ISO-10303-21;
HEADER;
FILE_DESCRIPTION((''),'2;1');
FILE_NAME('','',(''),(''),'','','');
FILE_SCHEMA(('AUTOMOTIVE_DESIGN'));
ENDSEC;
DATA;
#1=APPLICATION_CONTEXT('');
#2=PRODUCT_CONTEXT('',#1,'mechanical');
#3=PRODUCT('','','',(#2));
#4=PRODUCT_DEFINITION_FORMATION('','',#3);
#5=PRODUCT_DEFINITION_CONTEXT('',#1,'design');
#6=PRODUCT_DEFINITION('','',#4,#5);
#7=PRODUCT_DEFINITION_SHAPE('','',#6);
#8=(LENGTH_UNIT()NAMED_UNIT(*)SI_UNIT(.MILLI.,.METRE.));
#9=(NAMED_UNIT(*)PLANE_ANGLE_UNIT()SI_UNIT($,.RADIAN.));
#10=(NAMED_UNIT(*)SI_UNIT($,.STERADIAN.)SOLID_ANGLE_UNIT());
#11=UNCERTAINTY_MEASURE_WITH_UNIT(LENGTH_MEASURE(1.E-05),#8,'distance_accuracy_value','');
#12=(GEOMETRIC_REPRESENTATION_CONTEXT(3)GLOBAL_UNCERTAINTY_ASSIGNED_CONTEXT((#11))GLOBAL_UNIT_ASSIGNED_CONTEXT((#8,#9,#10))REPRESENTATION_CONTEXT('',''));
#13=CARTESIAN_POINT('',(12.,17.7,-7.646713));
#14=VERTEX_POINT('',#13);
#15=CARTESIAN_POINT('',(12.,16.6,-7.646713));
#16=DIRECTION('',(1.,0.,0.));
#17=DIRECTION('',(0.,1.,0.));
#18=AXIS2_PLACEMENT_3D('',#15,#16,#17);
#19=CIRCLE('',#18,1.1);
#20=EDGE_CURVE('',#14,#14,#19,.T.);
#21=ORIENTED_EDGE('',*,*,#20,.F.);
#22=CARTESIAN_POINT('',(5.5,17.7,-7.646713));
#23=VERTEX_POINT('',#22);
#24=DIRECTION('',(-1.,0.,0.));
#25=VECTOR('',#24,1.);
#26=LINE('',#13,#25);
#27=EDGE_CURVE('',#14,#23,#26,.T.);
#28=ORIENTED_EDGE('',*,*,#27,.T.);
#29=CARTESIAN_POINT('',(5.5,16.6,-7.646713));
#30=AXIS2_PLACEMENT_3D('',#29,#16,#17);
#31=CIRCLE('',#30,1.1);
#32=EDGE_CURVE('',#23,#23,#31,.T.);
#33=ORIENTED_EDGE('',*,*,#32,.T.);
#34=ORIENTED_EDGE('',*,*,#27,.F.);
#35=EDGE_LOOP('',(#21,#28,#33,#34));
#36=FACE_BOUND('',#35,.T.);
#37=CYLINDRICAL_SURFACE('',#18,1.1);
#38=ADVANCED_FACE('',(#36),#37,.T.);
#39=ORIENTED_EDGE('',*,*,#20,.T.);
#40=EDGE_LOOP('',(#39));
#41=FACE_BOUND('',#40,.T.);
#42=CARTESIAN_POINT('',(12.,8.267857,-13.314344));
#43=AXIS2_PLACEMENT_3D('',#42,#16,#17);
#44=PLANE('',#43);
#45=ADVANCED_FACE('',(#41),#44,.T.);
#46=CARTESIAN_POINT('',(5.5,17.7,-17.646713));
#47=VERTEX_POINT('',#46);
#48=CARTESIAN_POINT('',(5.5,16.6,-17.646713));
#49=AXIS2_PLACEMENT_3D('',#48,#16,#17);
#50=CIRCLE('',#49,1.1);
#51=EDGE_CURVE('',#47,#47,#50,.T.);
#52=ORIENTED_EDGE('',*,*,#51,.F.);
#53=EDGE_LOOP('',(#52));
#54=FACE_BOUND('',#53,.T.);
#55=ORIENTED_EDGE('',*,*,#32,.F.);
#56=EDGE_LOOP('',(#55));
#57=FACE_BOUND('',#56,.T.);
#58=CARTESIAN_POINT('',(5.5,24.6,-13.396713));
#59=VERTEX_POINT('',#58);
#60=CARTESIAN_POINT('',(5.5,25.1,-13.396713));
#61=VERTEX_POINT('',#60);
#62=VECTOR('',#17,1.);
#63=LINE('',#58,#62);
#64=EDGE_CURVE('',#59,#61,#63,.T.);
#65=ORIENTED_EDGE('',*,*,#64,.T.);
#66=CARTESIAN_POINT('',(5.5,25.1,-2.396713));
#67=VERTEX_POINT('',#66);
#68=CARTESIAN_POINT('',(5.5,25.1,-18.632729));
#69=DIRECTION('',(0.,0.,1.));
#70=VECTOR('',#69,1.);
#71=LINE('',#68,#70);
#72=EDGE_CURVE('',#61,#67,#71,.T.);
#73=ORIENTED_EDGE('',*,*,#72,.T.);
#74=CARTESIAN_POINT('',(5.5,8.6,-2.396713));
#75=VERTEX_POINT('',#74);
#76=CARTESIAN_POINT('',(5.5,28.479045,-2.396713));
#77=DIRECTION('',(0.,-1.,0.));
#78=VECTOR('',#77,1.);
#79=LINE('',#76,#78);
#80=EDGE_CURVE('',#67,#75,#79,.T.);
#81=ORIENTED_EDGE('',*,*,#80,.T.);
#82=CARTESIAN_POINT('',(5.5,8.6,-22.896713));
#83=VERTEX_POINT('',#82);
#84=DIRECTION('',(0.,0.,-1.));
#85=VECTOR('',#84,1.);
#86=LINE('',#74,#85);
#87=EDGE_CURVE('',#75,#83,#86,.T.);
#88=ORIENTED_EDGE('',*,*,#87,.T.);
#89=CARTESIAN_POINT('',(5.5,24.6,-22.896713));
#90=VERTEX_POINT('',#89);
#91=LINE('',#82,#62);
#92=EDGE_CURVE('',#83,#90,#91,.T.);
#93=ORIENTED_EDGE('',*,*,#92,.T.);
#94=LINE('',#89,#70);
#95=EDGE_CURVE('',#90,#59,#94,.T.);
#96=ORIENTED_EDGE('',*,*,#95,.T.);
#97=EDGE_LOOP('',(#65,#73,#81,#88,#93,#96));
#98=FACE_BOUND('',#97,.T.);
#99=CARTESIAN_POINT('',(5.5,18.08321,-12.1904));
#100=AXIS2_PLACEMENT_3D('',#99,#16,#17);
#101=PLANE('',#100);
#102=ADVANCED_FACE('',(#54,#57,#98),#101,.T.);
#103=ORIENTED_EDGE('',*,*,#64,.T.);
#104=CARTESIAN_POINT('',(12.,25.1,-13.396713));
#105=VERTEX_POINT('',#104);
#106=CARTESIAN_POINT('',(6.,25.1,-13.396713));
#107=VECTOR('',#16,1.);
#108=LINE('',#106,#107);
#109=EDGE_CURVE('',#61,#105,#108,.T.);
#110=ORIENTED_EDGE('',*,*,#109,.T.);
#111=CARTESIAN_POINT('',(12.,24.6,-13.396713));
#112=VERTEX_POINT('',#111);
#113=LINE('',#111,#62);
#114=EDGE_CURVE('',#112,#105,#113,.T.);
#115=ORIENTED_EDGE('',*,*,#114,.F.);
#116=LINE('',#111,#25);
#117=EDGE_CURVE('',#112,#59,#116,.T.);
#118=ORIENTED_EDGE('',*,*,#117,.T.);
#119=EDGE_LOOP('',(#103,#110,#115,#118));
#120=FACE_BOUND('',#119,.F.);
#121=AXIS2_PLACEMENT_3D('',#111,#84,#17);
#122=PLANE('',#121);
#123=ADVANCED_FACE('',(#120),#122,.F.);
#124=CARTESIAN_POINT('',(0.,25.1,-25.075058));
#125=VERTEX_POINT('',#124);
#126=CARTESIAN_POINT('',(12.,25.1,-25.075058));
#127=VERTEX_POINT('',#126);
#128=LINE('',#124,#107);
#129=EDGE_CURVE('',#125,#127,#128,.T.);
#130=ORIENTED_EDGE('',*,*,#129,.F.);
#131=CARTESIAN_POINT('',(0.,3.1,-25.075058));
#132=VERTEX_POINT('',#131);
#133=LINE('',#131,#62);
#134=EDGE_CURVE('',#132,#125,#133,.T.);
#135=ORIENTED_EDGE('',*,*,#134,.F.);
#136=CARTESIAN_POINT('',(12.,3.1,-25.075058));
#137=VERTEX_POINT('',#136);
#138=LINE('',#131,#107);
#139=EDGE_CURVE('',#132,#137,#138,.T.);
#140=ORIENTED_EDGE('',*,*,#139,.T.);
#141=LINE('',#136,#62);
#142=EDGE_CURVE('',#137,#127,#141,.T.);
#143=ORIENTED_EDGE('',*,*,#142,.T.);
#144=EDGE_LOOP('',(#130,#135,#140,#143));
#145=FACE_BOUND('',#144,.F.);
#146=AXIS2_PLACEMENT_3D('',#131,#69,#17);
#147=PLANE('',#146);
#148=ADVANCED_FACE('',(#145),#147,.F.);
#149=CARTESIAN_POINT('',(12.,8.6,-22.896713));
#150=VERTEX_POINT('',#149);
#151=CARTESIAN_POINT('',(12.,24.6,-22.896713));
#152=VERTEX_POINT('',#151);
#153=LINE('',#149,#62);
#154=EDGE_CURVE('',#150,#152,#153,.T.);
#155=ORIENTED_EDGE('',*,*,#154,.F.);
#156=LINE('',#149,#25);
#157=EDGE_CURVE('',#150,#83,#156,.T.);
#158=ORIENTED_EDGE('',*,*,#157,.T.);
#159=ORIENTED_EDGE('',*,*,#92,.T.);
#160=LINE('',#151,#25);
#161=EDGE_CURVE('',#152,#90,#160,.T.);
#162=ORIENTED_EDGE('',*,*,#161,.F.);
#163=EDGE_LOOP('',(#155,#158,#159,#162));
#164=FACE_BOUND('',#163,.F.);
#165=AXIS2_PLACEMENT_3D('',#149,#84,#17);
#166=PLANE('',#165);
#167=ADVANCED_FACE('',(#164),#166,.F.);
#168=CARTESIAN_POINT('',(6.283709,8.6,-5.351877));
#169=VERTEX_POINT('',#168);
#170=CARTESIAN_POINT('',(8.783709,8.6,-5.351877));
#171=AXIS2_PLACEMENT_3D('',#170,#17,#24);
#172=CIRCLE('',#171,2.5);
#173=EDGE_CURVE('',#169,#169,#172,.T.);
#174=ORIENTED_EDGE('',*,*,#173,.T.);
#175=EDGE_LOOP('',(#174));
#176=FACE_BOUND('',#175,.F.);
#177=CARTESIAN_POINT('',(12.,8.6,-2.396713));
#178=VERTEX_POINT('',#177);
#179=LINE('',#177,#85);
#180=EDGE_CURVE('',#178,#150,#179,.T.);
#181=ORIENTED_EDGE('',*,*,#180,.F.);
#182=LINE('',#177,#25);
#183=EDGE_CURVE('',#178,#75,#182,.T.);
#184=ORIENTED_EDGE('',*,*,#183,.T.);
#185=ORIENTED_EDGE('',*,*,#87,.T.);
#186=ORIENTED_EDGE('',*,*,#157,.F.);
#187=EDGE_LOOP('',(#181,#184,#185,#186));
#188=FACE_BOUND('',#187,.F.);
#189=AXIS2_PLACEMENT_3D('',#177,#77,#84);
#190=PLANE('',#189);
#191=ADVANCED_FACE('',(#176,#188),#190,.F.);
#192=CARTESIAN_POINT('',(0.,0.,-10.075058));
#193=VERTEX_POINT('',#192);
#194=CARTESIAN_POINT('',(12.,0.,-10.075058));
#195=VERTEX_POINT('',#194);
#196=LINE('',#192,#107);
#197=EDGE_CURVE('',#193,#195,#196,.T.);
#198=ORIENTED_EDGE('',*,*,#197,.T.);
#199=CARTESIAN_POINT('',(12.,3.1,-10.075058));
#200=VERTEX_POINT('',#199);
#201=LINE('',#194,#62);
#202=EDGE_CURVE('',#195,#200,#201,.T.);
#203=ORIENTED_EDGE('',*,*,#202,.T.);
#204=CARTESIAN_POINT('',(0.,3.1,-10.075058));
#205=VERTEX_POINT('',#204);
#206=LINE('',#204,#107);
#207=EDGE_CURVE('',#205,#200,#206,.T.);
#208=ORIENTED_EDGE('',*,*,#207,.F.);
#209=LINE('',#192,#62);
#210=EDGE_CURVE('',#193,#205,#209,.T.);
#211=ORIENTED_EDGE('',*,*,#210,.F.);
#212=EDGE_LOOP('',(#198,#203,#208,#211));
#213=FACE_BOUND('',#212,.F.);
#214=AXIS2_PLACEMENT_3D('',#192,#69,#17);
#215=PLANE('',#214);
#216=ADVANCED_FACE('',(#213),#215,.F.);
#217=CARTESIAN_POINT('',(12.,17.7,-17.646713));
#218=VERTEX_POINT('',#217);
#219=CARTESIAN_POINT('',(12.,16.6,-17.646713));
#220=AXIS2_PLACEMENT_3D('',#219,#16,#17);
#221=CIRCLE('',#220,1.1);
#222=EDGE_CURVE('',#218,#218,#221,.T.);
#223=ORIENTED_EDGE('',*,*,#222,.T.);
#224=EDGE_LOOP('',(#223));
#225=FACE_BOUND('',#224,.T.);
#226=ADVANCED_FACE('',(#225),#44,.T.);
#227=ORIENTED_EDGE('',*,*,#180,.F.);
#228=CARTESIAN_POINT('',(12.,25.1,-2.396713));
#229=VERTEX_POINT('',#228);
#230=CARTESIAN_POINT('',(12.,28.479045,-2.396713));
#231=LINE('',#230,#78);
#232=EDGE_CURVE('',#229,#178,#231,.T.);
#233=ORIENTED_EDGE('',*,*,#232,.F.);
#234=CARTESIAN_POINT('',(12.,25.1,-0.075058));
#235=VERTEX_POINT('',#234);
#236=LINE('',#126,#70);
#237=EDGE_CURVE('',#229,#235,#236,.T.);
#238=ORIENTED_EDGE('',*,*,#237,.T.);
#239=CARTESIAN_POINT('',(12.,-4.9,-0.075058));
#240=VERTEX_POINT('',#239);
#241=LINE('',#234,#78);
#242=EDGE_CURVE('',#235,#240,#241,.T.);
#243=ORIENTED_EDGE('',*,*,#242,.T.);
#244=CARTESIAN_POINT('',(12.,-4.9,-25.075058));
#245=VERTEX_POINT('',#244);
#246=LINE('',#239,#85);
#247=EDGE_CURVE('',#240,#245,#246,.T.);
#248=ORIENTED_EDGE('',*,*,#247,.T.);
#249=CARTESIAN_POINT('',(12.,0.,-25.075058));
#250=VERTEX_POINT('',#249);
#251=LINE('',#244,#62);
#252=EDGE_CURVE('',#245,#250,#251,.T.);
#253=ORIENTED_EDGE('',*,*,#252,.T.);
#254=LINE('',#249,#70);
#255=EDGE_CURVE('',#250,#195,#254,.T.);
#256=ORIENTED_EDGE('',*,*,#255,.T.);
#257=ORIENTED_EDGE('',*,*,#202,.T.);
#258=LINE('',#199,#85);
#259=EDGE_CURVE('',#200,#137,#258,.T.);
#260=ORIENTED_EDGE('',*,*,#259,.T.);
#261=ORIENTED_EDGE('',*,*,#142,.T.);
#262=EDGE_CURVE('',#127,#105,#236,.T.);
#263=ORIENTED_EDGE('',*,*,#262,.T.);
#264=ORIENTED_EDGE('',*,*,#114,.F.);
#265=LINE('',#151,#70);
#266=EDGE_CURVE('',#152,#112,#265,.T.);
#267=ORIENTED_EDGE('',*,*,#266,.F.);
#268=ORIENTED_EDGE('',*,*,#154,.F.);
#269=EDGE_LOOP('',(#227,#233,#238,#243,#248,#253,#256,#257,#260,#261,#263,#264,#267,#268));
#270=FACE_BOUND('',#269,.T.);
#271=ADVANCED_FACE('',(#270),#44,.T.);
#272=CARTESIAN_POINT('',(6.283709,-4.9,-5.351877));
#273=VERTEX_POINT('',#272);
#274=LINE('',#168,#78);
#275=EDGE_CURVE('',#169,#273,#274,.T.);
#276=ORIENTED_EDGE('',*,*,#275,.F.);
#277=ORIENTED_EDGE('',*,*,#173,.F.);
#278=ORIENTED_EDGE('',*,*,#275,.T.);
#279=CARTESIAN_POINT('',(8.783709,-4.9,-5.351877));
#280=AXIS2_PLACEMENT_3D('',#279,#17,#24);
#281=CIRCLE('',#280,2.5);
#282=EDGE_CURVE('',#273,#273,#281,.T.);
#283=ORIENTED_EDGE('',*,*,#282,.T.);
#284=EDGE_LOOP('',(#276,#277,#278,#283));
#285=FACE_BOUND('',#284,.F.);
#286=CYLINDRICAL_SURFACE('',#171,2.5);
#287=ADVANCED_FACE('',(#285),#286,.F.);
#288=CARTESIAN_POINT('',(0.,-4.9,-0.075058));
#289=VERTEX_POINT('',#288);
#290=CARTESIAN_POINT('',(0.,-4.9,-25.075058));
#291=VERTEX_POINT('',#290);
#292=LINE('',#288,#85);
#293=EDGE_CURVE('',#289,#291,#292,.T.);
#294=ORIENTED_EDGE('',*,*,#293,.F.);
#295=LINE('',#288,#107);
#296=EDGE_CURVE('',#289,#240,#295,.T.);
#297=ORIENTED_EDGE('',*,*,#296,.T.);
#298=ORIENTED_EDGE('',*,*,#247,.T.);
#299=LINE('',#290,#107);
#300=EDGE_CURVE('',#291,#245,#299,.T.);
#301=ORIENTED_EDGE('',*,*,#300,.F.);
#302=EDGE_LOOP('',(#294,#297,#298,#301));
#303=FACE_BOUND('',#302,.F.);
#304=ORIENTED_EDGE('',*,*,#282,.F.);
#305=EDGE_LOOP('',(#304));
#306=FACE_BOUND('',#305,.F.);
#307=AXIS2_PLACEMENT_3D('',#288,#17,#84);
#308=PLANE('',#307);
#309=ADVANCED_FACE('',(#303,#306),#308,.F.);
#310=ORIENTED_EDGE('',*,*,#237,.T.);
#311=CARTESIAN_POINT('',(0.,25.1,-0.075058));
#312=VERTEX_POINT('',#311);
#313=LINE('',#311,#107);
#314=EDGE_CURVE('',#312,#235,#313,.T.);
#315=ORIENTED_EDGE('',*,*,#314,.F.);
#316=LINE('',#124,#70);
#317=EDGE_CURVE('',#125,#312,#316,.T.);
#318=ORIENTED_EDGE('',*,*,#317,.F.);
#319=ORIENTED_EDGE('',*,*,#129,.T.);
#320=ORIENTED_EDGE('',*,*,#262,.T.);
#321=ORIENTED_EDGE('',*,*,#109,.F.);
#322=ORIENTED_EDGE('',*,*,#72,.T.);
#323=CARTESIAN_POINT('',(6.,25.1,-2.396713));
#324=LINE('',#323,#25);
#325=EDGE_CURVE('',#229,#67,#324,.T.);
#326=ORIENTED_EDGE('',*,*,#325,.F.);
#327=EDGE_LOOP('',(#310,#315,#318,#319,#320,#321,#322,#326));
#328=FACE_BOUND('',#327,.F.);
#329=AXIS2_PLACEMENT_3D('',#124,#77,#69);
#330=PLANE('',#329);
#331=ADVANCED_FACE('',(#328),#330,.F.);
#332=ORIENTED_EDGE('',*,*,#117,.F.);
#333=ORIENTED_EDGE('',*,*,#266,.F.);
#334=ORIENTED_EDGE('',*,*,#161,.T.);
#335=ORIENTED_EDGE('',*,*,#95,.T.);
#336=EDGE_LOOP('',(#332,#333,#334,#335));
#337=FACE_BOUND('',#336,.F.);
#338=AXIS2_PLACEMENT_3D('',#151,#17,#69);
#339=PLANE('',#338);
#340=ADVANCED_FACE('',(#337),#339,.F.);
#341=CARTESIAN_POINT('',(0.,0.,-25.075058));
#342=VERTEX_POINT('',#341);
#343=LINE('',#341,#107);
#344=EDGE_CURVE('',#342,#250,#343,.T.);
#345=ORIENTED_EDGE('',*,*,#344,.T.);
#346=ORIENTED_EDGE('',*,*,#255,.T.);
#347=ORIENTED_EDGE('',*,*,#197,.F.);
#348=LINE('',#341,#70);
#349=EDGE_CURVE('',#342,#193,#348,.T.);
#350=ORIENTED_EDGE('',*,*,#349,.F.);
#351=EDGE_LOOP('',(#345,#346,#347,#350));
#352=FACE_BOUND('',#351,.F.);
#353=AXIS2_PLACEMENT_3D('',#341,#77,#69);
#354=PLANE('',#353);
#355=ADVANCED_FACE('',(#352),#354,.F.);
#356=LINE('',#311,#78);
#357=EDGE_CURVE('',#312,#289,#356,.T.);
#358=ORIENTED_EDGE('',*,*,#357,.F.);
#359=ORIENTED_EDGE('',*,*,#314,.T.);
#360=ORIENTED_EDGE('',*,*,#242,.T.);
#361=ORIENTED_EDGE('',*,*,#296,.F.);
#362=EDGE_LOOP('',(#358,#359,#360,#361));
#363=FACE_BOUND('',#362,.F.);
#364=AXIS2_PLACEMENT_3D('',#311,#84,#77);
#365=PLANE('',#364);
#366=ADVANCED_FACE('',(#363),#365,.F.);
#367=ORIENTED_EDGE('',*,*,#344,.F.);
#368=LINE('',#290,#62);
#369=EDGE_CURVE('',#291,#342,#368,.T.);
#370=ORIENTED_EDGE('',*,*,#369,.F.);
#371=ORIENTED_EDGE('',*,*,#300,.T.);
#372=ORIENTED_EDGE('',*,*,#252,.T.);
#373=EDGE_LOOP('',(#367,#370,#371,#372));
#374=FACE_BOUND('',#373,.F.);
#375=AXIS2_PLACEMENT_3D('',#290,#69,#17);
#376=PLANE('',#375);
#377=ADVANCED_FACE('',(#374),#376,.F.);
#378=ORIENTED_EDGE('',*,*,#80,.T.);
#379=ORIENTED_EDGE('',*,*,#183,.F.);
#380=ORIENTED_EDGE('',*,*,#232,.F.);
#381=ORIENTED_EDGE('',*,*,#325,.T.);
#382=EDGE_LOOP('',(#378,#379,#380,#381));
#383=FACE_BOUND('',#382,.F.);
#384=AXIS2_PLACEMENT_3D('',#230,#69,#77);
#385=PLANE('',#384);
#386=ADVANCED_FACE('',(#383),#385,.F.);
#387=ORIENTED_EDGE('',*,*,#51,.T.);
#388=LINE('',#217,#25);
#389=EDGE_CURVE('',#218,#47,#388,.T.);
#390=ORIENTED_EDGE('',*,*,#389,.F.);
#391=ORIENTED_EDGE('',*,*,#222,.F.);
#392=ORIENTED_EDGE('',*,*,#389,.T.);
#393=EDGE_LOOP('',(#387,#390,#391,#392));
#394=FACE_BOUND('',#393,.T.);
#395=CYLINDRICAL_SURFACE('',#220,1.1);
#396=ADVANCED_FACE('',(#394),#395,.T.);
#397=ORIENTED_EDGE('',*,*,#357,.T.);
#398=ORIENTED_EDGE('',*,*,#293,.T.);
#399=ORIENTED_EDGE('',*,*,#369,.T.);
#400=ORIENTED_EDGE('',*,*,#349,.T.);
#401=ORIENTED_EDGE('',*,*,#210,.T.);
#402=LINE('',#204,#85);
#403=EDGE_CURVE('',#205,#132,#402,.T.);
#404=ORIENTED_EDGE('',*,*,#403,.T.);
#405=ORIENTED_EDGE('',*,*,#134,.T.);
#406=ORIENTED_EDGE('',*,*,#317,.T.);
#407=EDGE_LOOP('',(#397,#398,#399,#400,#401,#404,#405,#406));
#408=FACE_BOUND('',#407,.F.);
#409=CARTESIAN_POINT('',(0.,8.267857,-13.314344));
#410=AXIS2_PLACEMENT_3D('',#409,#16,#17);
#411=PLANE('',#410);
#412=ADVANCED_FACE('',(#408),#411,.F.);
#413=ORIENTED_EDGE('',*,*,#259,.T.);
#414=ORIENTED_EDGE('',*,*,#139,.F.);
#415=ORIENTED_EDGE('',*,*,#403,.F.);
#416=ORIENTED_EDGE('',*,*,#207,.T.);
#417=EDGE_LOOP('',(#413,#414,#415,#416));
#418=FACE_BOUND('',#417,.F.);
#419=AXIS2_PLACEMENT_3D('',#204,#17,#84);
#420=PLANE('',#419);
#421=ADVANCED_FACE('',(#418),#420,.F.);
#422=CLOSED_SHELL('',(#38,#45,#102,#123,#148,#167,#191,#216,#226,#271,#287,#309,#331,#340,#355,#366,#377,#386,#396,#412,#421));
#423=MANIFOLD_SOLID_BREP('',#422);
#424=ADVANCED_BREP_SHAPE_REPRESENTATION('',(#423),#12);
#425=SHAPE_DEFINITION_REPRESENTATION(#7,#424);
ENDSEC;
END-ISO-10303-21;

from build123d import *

# Parameters (mm, degrees)
F1_DEPTH = 12
F2_R     = 1.1
F3_DEPTH = 6.5
F4_R     = 2.5
F5_DEPTH = 25


with BuildPart() as f1:
    # F0 (on Right) → F1 (new body)
    with BuildSketch(Plane.YZ):
        Polygon((25.1, -0.075058), (-4.9, -0.075058), (-4.9, -25.075058), (0, -25.075058), (0, -10.075058), (3.1, -10.075058), (3.1, -25.075058), (25.1, -25.075058), align=None)
    extrude(amount=F1_DEPTH)

    # F2 (on face) → F3 (cut)
    with BuildSketch(Plane.YZ.offset(12)):
        Polygon((24.6, -2.396713), (8.6, -2.396713), (8.6, -22.896713), (24.6, -22.896713), (24.6, -13.396713), (28.479045, -13.396713), (28.479045, -2.396713), align=None)
        with Locations((16.6, -17.646713)):
            Circle(F2_R, mode=Mode.SUBTRACT)
        with Locations((16.6, -7.646713)):
            Circle(F2_R, mode=Mode.SUBTRACT)
    extrude(amount=-F3_DEPTH, mode=Mode.SUBTRACT)

    # F4 (on face) → F5 (cut)
    with BuildSketch(Plane(origin=(0, 8.6, 0), x_dir=(-1, 0, 0), z_dir=(0, 1, 0))):
        with Locations((-8.783709, -5.351877)):
            Circle(F4_R)
    extrude(amount=-F5_DEPTH, mode=Mode.SUBTRACT)


solid = f1.part
